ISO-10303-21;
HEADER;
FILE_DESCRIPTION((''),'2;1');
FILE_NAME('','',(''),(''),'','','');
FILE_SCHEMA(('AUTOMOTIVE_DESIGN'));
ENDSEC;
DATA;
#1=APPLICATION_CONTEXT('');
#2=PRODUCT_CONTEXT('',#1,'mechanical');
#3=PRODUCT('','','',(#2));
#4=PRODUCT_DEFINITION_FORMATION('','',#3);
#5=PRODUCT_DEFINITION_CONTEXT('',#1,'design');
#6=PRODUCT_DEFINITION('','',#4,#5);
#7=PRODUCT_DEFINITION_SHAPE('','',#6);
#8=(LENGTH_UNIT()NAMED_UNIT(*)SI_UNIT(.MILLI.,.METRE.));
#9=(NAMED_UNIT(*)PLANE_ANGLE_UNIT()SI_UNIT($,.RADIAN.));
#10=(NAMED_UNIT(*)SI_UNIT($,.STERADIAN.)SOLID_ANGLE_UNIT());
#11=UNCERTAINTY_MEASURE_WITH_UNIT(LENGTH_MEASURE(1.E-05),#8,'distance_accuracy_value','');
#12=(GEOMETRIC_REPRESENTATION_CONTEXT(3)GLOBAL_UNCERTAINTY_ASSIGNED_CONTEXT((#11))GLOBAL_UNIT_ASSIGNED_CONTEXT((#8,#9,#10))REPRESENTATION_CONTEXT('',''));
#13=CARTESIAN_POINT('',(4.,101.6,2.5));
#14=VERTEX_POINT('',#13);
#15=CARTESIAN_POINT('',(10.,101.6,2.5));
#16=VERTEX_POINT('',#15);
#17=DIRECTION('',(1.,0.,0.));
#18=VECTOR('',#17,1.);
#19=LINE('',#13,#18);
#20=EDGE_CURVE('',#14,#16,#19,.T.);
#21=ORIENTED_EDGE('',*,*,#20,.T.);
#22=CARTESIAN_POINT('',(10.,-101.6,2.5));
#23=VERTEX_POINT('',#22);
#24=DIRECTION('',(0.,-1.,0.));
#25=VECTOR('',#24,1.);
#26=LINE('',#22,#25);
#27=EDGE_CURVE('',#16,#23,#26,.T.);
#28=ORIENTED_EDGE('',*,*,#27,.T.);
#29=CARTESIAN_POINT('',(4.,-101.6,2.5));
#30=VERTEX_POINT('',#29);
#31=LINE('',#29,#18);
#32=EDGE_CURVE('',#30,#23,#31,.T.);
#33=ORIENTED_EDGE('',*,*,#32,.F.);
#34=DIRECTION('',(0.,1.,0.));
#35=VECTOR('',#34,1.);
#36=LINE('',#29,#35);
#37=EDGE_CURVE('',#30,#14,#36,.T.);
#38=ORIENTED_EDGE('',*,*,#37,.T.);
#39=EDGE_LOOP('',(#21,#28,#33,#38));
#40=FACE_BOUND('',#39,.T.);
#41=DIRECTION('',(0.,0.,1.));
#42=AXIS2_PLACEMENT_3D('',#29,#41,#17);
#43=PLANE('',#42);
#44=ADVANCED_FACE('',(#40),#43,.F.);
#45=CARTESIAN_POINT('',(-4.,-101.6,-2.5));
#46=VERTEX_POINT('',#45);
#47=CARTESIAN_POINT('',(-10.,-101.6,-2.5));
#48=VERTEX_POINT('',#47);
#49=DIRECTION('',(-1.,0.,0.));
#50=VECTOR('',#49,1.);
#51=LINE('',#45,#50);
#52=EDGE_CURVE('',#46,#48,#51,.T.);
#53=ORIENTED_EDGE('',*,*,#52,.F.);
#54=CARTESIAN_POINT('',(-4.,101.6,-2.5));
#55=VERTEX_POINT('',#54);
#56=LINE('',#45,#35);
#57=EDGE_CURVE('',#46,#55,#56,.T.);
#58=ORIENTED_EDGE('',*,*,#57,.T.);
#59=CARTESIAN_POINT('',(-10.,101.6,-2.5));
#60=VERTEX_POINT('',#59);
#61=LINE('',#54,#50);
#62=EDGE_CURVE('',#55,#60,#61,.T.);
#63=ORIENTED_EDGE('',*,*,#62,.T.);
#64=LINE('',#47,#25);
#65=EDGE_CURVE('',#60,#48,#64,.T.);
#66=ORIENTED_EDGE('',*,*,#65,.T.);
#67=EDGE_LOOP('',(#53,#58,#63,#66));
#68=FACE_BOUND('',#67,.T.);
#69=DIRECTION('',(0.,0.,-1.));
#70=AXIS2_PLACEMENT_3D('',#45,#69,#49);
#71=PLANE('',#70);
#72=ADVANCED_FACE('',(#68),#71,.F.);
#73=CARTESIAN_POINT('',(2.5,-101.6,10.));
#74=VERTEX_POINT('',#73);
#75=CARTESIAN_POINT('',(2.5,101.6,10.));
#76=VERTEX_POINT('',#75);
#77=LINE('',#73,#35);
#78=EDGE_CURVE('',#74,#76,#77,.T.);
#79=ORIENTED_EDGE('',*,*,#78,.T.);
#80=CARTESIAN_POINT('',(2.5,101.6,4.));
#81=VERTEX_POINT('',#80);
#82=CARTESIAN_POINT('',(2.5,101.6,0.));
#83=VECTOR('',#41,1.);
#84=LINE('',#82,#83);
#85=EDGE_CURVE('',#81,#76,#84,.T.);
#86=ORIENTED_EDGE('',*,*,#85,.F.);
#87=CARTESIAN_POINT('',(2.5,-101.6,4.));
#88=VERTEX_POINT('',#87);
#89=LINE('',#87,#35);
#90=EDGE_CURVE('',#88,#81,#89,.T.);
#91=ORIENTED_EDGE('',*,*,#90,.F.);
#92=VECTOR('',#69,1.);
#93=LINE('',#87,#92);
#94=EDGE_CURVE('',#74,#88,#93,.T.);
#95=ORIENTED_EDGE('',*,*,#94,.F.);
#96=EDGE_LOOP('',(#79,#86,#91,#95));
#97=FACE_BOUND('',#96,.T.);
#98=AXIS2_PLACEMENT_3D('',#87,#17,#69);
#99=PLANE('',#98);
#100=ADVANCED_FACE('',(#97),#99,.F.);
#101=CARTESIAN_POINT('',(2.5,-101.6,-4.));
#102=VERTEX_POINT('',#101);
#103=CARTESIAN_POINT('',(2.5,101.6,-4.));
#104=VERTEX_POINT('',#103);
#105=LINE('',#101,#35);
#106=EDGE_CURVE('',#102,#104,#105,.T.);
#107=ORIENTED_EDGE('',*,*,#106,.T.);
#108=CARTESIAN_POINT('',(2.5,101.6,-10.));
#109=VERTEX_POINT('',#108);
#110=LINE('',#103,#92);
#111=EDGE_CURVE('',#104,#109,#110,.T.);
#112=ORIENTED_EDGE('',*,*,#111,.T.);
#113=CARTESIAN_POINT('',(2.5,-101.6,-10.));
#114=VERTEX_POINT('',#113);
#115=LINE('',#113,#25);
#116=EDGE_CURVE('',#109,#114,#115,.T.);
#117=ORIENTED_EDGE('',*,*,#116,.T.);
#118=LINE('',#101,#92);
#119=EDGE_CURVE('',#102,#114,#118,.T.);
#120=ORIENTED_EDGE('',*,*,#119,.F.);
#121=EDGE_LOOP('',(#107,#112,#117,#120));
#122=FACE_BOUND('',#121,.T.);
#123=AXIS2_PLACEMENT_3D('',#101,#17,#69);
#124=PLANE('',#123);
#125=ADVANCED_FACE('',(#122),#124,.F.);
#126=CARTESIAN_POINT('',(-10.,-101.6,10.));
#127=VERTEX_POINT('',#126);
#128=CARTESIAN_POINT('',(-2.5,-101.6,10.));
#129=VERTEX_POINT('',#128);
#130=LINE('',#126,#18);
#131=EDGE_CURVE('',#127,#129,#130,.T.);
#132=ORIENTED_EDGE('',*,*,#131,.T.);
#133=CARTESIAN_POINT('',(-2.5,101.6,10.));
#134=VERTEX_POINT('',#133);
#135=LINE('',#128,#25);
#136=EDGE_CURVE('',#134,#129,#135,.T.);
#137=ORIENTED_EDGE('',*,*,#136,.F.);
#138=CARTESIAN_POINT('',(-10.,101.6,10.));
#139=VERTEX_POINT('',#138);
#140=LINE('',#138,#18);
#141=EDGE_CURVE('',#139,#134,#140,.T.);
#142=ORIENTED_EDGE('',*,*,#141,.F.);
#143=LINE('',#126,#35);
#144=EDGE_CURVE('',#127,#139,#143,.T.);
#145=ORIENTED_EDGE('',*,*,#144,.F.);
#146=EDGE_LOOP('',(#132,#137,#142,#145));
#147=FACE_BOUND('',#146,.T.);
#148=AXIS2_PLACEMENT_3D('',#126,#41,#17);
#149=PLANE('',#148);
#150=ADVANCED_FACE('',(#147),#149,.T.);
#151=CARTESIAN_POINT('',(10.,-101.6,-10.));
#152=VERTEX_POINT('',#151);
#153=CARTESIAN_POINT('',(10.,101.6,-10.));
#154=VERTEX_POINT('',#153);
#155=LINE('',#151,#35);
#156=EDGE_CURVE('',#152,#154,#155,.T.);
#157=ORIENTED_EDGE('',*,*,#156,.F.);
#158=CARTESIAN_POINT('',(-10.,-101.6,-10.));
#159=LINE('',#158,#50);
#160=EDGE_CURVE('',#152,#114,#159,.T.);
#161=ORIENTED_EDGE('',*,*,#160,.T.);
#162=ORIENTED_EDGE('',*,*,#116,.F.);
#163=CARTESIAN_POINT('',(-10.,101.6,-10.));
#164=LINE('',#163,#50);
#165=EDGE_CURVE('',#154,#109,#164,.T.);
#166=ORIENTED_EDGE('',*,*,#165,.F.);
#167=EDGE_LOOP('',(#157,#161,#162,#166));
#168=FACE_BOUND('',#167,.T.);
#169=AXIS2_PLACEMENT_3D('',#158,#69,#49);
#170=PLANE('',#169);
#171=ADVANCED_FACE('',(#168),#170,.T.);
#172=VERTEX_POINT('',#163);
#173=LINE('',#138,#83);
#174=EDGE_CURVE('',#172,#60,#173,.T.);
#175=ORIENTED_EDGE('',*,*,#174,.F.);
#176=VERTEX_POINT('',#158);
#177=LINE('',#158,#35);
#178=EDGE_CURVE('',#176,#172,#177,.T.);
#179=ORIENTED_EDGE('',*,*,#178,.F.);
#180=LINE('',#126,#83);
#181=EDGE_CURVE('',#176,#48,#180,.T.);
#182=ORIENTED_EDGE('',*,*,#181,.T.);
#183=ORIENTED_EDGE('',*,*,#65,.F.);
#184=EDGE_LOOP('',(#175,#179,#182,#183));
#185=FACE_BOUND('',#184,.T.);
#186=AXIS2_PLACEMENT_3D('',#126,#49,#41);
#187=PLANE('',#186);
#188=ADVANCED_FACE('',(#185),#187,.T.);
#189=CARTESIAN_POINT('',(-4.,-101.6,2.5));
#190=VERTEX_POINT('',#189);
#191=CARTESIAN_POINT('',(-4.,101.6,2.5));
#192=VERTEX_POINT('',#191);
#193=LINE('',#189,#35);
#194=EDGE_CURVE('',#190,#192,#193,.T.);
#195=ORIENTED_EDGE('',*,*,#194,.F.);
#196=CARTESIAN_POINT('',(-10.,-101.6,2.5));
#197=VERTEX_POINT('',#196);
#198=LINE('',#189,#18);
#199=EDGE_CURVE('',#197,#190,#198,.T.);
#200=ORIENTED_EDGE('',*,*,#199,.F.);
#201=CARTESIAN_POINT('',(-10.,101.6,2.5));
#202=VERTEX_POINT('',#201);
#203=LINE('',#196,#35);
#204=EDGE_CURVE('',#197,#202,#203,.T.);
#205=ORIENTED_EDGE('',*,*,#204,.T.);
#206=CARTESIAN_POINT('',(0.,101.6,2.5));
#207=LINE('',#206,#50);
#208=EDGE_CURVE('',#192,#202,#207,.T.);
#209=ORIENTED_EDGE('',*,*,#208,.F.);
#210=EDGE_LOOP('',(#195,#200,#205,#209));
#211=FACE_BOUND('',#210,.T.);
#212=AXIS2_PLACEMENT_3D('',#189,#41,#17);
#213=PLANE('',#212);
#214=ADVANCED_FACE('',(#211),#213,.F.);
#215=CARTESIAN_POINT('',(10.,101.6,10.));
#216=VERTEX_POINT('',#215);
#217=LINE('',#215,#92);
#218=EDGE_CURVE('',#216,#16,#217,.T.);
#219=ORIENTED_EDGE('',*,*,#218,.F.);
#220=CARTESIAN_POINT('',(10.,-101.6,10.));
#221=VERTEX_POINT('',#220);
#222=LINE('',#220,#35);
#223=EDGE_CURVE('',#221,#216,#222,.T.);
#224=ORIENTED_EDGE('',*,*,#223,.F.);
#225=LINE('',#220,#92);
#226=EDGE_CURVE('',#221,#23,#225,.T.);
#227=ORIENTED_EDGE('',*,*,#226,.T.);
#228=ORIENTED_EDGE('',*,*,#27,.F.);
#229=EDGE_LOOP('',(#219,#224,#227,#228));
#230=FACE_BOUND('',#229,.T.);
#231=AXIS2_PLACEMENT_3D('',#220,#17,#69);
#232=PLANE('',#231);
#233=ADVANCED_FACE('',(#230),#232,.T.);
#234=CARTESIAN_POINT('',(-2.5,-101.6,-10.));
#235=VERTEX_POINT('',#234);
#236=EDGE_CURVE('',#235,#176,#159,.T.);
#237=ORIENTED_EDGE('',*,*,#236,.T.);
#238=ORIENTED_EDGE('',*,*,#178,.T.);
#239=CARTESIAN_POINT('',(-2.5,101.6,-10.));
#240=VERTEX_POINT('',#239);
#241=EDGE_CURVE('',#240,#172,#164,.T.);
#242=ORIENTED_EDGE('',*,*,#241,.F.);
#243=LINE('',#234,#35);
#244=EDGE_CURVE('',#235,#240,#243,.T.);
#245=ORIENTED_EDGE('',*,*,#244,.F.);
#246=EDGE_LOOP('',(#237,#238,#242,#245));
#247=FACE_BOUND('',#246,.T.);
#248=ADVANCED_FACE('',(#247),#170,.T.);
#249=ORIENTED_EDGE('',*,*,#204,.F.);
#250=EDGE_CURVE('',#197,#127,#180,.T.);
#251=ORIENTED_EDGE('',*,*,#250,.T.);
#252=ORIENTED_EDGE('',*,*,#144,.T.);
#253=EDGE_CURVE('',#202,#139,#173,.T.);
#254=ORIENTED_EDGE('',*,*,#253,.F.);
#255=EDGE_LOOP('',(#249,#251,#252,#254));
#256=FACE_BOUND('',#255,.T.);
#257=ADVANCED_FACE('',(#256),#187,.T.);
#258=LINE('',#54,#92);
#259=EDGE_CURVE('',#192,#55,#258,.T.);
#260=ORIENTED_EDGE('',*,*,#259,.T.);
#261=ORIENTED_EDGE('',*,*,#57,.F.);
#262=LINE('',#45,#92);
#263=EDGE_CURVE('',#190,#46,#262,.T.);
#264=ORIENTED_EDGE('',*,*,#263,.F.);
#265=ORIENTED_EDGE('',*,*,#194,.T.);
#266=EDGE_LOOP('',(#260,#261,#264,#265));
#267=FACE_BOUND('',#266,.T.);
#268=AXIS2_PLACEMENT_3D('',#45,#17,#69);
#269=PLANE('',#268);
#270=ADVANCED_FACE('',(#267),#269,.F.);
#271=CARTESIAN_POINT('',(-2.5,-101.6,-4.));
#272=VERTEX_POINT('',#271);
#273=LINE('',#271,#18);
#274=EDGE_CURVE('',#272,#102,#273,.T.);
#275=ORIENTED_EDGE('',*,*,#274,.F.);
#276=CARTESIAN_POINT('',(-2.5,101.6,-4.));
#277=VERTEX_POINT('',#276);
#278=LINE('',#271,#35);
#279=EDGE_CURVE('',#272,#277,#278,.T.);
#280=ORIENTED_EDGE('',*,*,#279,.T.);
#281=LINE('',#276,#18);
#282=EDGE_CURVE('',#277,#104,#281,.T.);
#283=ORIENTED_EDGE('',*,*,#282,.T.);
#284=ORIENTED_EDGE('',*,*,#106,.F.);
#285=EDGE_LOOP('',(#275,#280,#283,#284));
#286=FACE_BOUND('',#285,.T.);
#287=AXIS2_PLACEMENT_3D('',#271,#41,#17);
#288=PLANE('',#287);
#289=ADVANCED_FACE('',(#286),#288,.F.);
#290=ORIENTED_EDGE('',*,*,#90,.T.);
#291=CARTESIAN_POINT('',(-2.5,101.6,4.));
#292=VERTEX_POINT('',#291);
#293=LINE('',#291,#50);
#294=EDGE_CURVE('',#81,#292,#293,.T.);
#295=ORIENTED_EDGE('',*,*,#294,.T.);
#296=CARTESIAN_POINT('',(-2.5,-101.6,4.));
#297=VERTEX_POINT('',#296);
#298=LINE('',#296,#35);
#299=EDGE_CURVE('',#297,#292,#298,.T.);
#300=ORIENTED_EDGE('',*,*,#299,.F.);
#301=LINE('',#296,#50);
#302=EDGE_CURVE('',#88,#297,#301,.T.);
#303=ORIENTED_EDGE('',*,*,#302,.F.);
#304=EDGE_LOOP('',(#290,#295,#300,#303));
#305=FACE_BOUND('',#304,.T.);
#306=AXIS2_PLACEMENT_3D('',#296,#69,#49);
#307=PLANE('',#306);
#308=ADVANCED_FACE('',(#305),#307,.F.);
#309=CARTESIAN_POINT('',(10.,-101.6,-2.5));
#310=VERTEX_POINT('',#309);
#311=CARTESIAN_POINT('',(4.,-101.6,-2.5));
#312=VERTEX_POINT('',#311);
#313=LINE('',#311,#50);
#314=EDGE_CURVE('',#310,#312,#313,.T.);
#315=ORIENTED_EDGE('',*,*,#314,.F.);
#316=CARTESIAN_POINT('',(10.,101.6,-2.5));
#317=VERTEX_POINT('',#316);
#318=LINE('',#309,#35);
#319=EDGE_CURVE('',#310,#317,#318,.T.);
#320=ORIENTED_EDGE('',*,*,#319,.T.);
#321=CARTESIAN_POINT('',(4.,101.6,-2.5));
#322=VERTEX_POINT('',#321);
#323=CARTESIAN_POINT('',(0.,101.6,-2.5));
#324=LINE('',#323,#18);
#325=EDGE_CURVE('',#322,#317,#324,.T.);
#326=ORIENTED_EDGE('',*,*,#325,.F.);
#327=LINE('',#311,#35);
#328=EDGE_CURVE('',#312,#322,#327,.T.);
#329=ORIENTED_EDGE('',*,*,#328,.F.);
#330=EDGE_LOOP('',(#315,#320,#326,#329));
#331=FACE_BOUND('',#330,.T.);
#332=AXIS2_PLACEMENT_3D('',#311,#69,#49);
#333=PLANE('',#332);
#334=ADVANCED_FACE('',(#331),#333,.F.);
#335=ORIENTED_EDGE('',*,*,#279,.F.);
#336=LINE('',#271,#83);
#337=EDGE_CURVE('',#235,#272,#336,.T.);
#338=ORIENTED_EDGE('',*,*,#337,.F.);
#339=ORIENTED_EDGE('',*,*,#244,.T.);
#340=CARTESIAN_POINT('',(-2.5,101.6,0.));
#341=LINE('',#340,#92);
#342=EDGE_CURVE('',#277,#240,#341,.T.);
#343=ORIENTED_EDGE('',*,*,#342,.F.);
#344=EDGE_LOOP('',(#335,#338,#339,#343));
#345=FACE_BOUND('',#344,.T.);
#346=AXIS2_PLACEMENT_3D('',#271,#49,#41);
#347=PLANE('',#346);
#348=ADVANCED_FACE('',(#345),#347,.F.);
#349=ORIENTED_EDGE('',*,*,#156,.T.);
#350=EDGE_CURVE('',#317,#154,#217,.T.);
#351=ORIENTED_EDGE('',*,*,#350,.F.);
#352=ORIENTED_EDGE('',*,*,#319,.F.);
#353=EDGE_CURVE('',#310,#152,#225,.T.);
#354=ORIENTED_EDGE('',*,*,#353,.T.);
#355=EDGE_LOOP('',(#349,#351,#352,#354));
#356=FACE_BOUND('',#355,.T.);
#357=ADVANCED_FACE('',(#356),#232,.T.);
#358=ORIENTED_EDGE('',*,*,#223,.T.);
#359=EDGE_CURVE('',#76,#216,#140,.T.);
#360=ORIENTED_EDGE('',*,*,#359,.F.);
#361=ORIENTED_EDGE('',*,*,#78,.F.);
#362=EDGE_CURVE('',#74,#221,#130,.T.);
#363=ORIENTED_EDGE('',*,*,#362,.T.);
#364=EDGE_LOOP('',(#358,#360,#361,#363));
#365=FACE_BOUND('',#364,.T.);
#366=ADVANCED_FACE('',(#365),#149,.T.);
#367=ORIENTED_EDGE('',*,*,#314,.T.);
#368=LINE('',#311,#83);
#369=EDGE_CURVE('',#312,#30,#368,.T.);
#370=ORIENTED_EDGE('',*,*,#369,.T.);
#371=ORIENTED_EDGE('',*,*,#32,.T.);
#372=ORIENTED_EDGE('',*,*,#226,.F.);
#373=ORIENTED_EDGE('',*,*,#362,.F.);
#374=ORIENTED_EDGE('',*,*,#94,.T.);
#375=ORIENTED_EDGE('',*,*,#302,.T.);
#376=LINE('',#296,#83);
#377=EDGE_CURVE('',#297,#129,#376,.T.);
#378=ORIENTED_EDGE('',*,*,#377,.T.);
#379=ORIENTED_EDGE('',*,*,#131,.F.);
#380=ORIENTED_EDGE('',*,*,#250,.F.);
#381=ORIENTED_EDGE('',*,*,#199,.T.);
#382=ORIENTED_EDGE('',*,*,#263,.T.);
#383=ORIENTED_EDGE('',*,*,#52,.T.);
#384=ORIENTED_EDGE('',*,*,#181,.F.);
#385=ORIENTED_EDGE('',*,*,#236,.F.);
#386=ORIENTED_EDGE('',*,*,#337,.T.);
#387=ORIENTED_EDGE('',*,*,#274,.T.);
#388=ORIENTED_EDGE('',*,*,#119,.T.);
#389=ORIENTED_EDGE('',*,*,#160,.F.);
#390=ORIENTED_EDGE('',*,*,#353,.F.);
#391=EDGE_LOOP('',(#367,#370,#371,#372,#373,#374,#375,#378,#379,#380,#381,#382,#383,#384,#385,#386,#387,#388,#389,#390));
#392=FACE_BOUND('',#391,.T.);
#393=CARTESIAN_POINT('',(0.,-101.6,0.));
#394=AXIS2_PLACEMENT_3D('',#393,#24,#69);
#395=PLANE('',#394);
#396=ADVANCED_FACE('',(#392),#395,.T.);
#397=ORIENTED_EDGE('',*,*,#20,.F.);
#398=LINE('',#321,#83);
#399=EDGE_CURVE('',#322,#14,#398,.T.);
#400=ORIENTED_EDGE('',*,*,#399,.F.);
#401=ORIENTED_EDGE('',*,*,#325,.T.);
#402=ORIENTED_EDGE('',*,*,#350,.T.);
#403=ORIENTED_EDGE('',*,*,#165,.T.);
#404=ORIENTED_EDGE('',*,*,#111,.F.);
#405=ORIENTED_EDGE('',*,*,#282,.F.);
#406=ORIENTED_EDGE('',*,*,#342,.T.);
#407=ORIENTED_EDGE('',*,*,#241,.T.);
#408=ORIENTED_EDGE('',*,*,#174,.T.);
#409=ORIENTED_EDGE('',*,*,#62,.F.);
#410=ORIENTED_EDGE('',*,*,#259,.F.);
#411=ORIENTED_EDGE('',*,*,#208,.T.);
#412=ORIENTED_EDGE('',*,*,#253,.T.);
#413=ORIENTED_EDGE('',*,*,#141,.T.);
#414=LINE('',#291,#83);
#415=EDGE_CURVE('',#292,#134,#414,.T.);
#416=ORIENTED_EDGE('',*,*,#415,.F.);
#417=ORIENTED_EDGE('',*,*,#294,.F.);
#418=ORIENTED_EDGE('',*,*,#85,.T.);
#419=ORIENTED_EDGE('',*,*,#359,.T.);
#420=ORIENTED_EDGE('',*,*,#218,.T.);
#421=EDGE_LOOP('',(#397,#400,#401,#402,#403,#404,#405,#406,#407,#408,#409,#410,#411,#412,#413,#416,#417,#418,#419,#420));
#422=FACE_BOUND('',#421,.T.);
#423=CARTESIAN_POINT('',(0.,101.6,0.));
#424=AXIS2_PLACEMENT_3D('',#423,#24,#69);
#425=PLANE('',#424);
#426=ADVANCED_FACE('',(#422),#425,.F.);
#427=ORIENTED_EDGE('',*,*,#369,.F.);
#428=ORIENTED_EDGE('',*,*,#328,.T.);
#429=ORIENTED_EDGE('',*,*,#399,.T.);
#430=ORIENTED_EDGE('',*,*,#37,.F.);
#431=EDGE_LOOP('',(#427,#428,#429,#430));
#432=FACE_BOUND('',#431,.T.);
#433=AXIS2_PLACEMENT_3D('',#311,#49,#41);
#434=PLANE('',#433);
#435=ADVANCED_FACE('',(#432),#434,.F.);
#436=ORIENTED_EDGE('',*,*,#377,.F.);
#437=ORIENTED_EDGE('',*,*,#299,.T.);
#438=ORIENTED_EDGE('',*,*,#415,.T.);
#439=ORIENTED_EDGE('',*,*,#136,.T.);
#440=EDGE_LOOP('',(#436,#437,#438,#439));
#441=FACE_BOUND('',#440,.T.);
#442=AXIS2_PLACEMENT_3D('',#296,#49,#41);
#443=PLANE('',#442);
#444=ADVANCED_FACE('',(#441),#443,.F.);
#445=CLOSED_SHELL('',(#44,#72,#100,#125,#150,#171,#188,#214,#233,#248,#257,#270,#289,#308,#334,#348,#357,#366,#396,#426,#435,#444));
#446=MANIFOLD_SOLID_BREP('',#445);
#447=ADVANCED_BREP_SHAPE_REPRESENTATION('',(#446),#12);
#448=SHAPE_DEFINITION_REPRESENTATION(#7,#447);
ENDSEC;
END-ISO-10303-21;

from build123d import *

# Parameters (mm, degrees)
BOSS_EXTRUDE1_DEPTH      = 101.6
BOSS_EXTRUDE1_DEPTH_BACK = 101.6
SKETCH1_W                = 20
SKETCH1_H                = 20
CUT_EXTRUDE1_DEPTH       = 103.579530122
CUT_EXTRUDE1_DEPTH_BACK  = 103.579530122
SKETCH2_W                = 5
SKETCH2_H                = 12
SKETCH2_W_2              = 12
SKETCH2_H_2              = 5


with BuildPart() as part:
    # Sketch1 → Boss-Extrude1 (new, two sides: drawn at the far end of the back side and taken through both)
    with BuildSketch(Plane(origin=(0, 0, 0), x_dir=(1, 0, 0), z_dir=(0, 1, 0)).offset(-BOSS_EXTRUDE1_DEPTH_BACK)):
        Rectangle(SKETCH1_W, SKETCH1_H)
    extrude(amount=BOSS_EXTRUDE1_DEPTH + BOSS_EXTRUDE1_DEPTH_BACK)

    # Sketch2 → Cut-Extrude1 (cut, two sides: drawn at the far end of the back side and taken through both)
    with BuildSketch(Plane(origin=(0, 0, 0), x_dir=(1, 0, 0), z_dir=(0, 1, 0)).offset(-CUT_EXTRUDE1_DEPTH_BACK)):
        with Locations((0, 10)):
            Rectangle(SKETCH2_W, SKETCH2_H)
        with Locations((10, 0)):
            Rectangle(SKETCH2_W_2, SKETCH2_H_2)
        with Locations((-10, 0)):
            Rectangle(SKETCH2_W_2, SKETCH2_H_2)
        with Locations((0, -10)):
            Rectangle(SKETCH2_W, SKETCH2_H)
    extrude(amount=CUT_EXTRUDE1_DEPTH + CUT_EXTRUDE1_DEPTH_BACK, mode=Mode.SUBTRACT)


solid = part.part
